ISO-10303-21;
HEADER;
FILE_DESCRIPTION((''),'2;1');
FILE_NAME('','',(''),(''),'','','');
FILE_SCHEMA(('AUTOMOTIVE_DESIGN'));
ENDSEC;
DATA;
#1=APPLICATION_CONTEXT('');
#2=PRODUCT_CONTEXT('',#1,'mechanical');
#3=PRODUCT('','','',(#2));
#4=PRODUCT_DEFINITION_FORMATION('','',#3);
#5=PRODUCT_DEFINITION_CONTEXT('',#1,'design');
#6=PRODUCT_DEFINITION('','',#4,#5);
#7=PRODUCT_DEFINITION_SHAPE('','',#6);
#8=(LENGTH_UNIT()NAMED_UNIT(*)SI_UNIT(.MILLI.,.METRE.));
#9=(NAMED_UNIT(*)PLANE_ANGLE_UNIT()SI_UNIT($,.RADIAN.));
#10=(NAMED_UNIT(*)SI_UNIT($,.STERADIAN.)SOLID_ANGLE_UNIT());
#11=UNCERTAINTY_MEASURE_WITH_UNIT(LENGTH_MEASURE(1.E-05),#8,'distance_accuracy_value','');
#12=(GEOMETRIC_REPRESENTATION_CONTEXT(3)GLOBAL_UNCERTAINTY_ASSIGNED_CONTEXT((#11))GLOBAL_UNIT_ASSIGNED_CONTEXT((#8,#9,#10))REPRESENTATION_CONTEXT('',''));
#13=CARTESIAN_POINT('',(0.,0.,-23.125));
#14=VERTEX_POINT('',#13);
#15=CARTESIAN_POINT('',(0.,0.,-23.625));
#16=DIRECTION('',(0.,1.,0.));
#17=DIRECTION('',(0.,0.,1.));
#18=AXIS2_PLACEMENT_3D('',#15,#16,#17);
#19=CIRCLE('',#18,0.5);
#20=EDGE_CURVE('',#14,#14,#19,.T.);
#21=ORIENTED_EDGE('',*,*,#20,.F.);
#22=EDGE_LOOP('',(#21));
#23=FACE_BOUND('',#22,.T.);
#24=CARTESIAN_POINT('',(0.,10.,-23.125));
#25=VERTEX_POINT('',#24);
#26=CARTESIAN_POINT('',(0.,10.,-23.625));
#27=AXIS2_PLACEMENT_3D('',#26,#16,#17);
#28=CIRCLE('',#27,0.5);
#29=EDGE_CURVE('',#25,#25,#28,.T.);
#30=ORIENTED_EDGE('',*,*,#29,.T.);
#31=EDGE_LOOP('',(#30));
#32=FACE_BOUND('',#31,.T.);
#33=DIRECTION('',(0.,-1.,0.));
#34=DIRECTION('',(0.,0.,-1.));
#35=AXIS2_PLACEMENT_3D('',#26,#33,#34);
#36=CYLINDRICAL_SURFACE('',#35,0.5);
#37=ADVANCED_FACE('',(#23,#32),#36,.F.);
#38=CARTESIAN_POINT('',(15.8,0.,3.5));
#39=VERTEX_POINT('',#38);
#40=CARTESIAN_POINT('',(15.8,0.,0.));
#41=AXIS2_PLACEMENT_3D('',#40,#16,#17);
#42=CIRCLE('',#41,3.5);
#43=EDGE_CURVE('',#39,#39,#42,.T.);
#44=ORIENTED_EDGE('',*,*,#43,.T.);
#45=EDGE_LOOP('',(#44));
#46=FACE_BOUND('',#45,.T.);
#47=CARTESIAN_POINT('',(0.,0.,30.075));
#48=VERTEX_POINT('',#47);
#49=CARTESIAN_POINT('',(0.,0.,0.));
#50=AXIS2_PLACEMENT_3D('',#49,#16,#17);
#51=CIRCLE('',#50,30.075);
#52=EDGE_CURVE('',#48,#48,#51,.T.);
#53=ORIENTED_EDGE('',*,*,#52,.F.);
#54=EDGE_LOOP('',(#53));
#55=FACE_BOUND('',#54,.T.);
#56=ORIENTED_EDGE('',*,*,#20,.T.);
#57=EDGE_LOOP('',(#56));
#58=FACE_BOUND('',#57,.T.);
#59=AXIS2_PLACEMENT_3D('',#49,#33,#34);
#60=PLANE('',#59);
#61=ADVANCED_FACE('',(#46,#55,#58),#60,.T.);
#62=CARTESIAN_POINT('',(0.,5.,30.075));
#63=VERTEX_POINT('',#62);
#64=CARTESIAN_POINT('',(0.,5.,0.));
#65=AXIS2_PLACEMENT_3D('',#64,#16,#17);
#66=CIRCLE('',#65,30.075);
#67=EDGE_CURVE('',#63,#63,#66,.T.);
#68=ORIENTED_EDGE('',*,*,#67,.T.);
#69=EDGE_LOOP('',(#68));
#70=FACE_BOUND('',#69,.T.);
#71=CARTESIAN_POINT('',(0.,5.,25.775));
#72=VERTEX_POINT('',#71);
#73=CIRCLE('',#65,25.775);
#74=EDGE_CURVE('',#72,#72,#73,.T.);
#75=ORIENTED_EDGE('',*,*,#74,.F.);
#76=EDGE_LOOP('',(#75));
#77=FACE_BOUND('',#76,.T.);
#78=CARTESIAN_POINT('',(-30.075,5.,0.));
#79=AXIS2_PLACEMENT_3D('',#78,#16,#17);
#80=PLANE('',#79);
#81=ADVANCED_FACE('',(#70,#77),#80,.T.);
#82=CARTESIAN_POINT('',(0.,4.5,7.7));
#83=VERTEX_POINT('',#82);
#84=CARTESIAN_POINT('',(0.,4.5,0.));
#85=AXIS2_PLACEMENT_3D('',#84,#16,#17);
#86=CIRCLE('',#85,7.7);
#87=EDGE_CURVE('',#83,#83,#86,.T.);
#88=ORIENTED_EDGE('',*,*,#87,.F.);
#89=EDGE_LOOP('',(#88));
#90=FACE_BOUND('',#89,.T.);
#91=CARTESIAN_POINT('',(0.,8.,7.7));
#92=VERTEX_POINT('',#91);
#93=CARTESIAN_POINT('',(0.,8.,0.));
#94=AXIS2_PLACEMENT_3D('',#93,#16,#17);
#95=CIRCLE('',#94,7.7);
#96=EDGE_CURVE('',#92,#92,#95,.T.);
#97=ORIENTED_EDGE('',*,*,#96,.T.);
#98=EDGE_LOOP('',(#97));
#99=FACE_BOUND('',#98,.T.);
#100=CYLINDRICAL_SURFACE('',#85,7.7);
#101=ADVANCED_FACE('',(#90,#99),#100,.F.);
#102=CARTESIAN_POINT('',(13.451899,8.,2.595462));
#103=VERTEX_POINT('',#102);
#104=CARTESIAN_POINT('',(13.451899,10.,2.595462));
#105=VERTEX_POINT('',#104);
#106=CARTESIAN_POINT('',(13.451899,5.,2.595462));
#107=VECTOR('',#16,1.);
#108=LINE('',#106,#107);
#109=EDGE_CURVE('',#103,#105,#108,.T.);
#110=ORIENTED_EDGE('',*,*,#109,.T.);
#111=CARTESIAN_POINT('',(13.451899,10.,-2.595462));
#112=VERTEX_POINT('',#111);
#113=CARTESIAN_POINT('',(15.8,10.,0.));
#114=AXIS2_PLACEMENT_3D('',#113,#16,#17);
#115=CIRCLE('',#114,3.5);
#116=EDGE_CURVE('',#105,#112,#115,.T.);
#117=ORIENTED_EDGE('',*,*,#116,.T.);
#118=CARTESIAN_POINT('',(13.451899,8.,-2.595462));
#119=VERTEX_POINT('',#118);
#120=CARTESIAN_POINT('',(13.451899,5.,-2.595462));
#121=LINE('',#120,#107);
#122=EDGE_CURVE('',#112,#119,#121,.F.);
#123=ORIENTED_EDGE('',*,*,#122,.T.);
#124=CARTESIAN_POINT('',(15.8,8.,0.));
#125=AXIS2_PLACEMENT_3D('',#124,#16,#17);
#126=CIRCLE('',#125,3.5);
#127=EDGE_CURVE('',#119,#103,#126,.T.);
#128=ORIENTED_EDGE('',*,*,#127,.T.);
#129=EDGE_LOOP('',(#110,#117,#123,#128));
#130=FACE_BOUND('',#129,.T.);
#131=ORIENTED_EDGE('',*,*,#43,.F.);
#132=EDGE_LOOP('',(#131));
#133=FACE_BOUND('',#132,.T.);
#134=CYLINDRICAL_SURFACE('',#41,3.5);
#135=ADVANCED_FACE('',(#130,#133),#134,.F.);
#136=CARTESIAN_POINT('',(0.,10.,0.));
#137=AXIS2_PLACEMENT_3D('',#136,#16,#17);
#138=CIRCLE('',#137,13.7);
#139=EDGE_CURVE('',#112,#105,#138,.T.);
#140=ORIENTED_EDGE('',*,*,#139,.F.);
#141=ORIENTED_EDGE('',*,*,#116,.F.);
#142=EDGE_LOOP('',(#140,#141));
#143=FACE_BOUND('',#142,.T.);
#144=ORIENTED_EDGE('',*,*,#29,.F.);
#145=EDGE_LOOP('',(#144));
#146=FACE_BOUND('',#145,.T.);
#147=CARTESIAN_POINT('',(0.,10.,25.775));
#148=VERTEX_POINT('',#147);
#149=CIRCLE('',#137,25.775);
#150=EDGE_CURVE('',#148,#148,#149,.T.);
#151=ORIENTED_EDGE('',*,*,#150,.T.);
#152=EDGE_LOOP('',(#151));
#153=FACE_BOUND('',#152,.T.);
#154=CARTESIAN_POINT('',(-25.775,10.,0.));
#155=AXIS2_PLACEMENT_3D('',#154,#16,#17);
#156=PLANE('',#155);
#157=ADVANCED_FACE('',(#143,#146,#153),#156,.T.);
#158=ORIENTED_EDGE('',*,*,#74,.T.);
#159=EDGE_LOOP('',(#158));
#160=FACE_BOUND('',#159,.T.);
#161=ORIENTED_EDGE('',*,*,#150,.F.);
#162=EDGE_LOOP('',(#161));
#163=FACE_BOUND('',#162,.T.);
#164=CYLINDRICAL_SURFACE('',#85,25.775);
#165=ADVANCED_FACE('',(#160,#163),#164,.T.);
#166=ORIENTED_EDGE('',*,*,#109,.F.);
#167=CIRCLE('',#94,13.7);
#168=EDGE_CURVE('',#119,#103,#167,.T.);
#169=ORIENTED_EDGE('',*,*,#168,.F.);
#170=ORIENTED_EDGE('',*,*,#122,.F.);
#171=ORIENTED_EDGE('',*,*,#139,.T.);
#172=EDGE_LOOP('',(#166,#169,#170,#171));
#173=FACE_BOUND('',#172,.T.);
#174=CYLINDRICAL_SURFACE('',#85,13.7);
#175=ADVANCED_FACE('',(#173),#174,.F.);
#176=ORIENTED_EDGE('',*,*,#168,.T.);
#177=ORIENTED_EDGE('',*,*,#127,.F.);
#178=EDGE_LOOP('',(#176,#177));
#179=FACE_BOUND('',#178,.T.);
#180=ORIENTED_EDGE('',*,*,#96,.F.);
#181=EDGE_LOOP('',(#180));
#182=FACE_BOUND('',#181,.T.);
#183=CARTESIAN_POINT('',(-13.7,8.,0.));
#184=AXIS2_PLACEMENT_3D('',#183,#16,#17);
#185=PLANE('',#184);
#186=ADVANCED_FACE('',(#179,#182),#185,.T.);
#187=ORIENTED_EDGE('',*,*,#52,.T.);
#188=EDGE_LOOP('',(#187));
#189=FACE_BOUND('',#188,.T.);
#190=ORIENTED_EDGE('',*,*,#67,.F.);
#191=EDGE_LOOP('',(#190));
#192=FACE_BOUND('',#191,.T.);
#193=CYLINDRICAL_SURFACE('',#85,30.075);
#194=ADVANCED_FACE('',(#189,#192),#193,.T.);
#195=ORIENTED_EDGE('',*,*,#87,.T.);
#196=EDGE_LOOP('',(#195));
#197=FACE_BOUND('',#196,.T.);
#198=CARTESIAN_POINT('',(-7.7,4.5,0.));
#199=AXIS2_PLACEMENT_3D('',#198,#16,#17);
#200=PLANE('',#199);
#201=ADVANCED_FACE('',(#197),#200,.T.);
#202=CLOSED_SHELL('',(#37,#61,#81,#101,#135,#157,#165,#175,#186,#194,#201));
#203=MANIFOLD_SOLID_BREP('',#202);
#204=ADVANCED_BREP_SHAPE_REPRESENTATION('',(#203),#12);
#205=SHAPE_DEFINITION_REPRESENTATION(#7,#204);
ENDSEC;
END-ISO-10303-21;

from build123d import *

# Parameters (mm, degrees)
SKETCH2_R          = 3.5
CUT_EXTRUDE1_DEPTH = 10
SKETCH3_R          = 0.5
CUT_EXTRUDE2_DEPTH = 5


with BuildPart() as part:
    # Sketch1 → Revolve1 (revolve)
    with BuildSketch(Plane.XY):
        Polygon((0, 0), (-30.075, 0), (-30.075, 5), (-25.775, 5), (-25.775, 10), (-13.7, 10), (-13.7, 8), (-7.7, 8), (-7.7, 4.5), (0, 4.5), align=None)
    revolve(axis=Axis((0, 4.5, 0), (0, -1, 0)))

    # Sketch2 → Cut-Extrude1 (cut)
    with BuildSketch(Plane(origin=(0, 10, 0), x_dir=(1, 0, 0), z_dir=(0, 1, 0))):
        with Locations((15.8, 0)):
            Circle(SKETCH2_R)
    extrude(amount=-CUT_EXTRUDE1_DEPTH, mode=Mode.SUBTRACT)

    # Sketch3 → Cut-Extrude2 (cut, symmetric)
    with BuildSketch(Plane(origin=(0, 5, 0), x_dir=(1, 0, 0), z_dir=(0, 1, 0))):
        with Locations((0, 23.625)):
            Circle(SKETCH3_R)
    extrude(amount=CUT_EXTRUDE2_DEPTH, both=True, mode=Mode.SUBTRACT)


solid = part.part
